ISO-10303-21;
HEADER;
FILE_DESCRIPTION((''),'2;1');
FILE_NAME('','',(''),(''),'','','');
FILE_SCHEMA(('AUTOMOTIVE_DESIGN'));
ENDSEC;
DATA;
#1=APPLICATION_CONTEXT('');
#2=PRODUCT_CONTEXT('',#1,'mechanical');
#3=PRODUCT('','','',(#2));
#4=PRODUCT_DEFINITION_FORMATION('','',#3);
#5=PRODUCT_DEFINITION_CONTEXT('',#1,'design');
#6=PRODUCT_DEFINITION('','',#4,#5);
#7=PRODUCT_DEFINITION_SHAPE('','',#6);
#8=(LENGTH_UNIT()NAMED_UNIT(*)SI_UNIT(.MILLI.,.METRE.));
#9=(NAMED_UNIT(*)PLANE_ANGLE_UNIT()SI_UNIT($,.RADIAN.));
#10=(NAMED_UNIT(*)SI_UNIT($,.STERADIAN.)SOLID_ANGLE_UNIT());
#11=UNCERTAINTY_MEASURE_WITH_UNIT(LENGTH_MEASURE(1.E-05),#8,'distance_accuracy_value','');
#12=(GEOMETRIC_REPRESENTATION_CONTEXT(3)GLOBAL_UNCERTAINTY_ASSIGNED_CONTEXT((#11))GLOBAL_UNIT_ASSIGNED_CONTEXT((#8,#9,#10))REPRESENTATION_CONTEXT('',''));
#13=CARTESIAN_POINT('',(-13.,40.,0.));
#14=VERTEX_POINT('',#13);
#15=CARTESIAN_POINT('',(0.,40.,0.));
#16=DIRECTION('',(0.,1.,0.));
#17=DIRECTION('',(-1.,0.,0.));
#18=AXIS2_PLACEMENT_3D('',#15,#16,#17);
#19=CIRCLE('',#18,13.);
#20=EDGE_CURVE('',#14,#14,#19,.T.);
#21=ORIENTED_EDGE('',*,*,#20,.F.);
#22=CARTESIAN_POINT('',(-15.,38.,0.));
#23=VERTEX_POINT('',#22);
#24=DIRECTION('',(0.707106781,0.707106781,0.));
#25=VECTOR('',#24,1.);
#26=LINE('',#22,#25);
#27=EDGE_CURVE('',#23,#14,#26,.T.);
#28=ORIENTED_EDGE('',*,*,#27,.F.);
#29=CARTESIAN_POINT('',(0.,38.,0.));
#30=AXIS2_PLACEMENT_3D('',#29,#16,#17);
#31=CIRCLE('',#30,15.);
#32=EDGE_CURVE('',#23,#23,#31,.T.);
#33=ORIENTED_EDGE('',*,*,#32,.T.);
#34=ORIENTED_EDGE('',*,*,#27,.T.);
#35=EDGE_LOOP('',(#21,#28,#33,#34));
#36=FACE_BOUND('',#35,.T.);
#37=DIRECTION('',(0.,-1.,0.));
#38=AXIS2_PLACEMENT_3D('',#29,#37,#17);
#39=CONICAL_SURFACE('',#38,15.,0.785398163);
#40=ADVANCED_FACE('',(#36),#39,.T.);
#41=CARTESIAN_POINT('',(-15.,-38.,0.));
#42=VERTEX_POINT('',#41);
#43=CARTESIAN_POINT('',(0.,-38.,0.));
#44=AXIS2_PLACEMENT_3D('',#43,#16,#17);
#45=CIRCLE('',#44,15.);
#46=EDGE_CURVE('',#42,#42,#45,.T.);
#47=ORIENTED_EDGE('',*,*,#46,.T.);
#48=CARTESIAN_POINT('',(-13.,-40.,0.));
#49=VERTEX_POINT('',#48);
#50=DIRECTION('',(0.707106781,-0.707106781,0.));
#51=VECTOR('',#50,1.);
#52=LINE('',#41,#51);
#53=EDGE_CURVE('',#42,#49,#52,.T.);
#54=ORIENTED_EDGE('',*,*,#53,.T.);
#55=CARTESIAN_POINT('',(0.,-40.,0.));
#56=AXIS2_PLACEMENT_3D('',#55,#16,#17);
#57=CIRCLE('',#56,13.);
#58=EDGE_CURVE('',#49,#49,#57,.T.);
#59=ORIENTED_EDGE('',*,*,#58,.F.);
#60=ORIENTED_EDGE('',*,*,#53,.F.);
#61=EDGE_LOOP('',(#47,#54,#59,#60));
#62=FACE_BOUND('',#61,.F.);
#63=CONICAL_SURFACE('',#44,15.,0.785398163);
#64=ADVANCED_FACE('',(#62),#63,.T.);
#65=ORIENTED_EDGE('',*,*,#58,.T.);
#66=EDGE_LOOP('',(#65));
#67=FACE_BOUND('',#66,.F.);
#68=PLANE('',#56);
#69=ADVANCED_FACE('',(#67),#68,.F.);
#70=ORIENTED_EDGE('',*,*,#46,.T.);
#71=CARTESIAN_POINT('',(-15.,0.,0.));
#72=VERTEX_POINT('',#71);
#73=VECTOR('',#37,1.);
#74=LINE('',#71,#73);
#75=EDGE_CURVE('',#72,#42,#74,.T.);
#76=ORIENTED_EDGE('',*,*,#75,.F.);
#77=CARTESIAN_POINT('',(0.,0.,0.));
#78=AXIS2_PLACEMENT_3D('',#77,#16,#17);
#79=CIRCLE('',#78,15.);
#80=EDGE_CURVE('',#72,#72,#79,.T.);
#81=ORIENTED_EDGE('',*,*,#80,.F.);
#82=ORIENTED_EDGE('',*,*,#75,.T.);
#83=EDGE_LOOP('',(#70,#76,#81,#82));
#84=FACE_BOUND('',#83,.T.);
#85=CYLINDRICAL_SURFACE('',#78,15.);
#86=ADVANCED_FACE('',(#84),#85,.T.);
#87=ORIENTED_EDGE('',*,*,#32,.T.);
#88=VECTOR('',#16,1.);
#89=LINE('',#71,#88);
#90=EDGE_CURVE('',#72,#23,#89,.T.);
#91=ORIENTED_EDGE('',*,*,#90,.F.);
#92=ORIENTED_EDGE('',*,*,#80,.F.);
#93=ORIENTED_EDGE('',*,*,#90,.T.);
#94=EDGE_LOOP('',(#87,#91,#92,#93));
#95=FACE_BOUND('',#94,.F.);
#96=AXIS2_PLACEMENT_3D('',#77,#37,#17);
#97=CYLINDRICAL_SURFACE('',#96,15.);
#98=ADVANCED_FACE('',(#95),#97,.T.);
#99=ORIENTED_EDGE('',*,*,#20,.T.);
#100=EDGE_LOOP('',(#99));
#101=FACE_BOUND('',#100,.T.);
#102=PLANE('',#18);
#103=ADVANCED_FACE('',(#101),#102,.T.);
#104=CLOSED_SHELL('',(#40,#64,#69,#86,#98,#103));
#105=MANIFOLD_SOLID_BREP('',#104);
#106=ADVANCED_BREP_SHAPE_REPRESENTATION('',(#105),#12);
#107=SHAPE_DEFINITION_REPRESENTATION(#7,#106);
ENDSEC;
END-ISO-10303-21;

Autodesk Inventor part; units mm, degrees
ref_plane "YZ Plane" through (0, 0, 0) normal (1, 0, 0) x (0, 1, 0)
ref_plane "XZ Plane" through (0, 0, 0) normal (0, 1, 0) x (-1, 0, 0)
ref_plane "XY Plane" through (0, 0, 0) normal (0, 0, 1) x (1, 0, 0)
sketch "草圖1" plane through (0, 0, 0) normal (0, 1, 0) x (-1, 0, 0)
  circle A0 centre (0, 0) radius 15
  dimension "d0" = 30
extrude "擠出1" add sketch "草圖1" along normal mid plane 80
chamfer "倒角1" distance 2 angle 45 2 edges at (15, 40, 0) (15, -40, 0)
properties part number "0311_練習"
